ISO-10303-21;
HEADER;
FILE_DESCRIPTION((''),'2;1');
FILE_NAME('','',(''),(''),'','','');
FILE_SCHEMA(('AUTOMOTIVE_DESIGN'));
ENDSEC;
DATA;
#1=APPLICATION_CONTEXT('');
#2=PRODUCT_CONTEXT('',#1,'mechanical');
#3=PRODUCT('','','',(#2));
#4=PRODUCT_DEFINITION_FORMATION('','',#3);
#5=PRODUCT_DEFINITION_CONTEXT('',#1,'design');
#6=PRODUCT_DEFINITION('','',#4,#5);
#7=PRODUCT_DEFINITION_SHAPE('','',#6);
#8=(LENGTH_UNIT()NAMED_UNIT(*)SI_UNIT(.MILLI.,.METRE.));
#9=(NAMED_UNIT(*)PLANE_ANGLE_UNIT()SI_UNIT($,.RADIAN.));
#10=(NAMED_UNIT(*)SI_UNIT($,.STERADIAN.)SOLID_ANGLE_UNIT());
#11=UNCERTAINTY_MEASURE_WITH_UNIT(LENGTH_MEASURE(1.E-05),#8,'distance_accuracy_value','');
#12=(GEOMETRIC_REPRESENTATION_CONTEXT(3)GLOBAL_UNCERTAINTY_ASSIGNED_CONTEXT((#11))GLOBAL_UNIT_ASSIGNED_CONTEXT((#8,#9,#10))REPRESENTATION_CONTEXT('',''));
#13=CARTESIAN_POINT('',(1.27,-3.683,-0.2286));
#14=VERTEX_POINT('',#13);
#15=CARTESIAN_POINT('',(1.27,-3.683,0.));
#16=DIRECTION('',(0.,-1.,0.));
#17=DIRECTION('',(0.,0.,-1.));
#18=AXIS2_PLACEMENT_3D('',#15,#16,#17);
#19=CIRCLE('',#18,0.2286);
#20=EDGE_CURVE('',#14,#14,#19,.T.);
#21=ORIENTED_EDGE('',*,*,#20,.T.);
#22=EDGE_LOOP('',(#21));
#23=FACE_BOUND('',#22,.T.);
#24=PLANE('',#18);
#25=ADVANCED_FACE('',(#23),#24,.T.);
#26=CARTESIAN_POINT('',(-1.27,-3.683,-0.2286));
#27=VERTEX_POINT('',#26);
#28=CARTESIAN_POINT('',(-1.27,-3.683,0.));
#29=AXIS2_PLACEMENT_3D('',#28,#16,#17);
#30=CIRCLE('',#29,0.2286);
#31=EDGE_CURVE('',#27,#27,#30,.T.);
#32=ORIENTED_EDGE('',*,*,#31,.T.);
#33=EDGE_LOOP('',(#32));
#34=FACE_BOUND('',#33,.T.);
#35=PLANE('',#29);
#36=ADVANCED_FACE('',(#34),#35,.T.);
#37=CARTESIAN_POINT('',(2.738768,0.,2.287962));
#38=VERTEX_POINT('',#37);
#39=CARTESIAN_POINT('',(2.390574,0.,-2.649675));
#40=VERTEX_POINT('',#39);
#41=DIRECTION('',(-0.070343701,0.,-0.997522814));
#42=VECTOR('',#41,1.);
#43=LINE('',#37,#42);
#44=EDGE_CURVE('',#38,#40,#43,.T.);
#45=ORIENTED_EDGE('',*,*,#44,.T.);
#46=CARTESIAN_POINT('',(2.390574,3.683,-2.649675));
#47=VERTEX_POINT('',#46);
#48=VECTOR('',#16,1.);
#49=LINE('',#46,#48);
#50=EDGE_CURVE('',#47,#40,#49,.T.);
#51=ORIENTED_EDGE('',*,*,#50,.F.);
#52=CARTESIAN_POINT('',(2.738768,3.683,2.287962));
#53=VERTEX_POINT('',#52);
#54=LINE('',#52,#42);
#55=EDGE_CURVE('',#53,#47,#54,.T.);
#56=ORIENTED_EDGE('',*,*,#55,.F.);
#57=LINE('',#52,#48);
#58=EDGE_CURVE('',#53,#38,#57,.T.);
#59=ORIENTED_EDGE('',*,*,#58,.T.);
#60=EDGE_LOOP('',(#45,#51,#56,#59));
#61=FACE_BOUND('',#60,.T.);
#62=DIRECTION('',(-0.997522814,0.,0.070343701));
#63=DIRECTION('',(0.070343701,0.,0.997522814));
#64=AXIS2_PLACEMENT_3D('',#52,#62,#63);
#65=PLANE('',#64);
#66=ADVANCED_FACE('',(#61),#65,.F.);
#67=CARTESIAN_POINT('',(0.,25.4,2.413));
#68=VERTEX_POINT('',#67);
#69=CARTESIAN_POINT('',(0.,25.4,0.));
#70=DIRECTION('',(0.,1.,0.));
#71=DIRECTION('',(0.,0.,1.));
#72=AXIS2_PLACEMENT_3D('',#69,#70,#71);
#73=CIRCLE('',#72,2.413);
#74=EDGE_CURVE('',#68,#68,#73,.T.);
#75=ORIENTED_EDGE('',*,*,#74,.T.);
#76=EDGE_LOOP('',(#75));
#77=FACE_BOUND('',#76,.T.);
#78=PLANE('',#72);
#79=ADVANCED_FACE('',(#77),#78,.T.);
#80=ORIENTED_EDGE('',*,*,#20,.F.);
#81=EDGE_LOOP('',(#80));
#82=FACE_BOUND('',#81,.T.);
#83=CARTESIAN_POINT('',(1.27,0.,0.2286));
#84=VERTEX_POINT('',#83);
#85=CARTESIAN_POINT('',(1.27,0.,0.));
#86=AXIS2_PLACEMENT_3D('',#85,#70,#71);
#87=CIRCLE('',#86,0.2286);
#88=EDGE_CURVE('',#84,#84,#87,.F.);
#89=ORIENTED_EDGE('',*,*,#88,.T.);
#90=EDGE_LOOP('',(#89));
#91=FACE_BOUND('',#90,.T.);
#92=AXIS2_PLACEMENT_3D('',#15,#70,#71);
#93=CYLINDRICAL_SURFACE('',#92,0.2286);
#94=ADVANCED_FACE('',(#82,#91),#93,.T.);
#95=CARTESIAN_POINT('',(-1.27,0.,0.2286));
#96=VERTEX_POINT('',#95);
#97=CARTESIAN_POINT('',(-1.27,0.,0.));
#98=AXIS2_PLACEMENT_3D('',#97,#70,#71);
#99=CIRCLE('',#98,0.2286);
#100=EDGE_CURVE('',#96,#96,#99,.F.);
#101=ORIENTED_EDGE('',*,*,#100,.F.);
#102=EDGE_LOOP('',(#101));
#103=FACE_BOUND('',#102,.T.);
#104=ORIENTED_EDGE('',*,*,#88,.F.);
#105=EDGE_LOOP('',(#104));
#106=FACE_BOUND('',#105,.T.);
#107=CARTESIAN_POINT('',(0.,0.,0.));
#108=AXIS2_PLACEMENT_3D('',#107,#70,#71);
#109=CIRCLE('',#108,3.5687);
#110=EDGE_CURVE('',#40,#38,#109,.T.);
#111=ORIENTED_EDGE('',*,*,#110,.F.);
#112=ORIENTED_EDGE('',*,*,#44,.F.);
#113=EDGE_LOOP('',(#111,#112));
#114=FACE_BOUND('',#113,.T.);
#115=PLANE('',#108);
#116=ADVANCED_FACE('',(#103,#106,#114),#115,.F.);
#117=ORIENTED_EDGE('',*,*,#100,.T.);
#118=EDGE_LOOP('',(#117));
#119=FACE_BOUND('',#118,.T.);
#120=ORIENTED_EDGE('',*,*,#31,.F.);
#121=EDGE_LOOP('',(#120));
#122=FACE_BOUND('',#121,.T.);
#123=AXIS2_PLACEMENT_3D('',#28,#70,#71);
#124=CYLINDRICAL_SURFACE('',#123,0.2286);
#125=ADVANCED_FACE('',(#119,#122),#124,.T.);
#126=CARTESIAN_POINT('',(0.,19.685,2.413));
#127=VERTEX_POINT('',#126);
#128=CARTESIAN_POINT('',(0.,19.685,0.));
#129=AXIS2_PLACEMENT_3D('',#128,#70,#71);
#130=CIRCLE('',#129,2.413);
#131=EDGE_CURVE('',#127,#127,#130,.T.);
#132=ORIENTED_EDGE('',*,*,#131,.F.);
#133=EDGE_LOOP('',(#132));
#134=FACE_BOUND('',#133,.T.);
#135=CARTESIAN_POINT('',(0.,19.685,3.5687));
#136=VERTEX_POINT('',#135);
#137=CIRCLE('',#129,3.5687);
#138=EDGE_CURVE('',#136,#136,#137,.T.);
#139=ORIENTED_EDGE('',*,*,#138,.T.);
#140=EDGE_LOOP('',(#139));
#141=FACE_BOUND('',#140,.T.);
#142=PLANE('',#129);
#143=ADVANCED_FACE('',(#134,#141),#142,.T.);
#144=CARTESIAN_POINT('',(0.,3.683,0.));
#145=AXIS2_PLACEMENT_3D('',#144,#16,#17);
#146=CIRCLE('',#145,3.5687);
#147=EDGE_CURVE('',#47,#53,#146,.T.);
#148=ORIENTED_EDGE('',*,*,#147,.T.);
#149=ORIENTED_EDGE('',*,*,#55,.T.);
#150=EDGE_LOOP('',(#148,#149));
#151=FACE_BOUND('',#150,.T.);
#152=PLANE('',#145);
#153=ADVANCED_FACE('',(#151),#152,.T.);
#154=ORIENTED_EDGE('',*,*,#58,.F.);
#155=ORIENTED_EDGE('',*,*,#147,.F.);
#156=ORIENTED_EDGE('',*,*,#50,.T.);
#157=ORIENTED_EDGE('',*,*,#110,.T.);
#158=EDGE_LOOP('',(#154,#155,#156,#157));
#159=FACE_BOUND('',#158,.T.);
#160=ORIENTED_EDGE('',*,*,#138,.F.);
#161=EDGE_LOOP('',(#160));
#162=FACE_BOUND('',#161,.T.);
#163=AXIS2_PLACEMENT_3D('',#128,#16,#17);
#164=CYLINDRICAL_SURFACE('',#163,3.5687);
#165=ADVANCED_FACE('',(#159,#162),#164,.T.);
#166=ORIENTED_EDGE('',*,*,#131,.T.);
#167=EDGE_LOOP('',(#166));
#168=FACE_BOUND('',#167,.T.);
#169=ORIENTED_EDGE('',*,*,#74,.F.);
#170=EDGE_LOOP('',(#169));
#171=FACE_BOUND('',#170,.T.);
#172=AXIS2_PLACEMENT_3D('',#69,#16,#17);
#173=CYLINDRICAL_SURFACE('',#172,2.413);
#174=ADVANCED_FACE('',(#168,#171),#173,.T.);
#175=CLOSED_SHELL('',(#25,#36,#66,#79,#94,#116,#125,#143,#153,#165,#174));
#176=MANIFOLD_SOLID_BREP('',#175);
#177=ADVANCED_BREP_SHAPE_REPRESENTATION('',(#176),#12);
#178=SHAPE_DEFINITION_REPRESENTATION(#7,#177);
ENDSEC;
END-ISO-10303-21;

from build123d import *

# Parameters (mm, degrees)
SKETCH1_R           = 3.5687
BOSS_EXTRUDE1_DEPTH = 19.685
SKETCH2_R           = 2.413
BOSS_EXTRUDE2_DEPTH = 5.715
SKETCH3_R           = 0.2286
BOSS_EXTRUDE3_DEPTH = 3.683
CUT_EXTRUDE1_DEPTH  = 3.683


with BuildPart() as part:
    # Sketch1 → Boss-Extrude1 (new body)
    with BuildSketch(Plane(origin=(0, 0, 0), x_dir=(1, 0, 0), z_dir=(0, 1, 0))):
        with Locations(Location((0, 0, 0), (0, 0, 270))):
            Circle(SKETCH1_R)
    extrude(amount=BOSS_EXTRUDE1_DEPTH)

    # Sketch2 → Boss-Extrude2 (add)
    with BuildSketch(Plane(origin=(0, 19.685, 0), x_dir=(1, 0, 0), z_dir=(0, 1, 0))):
        with Locations(Location((0, 0, 0), (0, 0, 270))):
            Circle(SKETCH2_R)
    extrude(amount=BOSS_EXTRUDE2_DEPTH)

    # Sketch3 → Boss-Extrude3 (add)
    with BuildSketch(Plane.XZ):
        with Locations(Location((1.27, 0, 0), (0, 0, 90))):
            Circle(SKETCH3_R)
        with Locations(Location((-1.27, 0, 0), (0, 0, 90))):
            Circle(SKETCH3_R)
    extrude(amount=BOSS_EXTRUDE3_DEPTH)

    # Sketch4 → Cut-Extrude1 (cut)
    with BuildSketch(Plane.XZ):
        Polygon((2.738767967, 2.287961912), (2.390573782, -2.649674826), (3.144962665, -2.702873114), (4.333390191, 2.287961912), align=None)
    extrude(amount=-CUT_EXTRUDE1_DEPTH, mode=Mode.SUBTRACT)


solid = part.part
